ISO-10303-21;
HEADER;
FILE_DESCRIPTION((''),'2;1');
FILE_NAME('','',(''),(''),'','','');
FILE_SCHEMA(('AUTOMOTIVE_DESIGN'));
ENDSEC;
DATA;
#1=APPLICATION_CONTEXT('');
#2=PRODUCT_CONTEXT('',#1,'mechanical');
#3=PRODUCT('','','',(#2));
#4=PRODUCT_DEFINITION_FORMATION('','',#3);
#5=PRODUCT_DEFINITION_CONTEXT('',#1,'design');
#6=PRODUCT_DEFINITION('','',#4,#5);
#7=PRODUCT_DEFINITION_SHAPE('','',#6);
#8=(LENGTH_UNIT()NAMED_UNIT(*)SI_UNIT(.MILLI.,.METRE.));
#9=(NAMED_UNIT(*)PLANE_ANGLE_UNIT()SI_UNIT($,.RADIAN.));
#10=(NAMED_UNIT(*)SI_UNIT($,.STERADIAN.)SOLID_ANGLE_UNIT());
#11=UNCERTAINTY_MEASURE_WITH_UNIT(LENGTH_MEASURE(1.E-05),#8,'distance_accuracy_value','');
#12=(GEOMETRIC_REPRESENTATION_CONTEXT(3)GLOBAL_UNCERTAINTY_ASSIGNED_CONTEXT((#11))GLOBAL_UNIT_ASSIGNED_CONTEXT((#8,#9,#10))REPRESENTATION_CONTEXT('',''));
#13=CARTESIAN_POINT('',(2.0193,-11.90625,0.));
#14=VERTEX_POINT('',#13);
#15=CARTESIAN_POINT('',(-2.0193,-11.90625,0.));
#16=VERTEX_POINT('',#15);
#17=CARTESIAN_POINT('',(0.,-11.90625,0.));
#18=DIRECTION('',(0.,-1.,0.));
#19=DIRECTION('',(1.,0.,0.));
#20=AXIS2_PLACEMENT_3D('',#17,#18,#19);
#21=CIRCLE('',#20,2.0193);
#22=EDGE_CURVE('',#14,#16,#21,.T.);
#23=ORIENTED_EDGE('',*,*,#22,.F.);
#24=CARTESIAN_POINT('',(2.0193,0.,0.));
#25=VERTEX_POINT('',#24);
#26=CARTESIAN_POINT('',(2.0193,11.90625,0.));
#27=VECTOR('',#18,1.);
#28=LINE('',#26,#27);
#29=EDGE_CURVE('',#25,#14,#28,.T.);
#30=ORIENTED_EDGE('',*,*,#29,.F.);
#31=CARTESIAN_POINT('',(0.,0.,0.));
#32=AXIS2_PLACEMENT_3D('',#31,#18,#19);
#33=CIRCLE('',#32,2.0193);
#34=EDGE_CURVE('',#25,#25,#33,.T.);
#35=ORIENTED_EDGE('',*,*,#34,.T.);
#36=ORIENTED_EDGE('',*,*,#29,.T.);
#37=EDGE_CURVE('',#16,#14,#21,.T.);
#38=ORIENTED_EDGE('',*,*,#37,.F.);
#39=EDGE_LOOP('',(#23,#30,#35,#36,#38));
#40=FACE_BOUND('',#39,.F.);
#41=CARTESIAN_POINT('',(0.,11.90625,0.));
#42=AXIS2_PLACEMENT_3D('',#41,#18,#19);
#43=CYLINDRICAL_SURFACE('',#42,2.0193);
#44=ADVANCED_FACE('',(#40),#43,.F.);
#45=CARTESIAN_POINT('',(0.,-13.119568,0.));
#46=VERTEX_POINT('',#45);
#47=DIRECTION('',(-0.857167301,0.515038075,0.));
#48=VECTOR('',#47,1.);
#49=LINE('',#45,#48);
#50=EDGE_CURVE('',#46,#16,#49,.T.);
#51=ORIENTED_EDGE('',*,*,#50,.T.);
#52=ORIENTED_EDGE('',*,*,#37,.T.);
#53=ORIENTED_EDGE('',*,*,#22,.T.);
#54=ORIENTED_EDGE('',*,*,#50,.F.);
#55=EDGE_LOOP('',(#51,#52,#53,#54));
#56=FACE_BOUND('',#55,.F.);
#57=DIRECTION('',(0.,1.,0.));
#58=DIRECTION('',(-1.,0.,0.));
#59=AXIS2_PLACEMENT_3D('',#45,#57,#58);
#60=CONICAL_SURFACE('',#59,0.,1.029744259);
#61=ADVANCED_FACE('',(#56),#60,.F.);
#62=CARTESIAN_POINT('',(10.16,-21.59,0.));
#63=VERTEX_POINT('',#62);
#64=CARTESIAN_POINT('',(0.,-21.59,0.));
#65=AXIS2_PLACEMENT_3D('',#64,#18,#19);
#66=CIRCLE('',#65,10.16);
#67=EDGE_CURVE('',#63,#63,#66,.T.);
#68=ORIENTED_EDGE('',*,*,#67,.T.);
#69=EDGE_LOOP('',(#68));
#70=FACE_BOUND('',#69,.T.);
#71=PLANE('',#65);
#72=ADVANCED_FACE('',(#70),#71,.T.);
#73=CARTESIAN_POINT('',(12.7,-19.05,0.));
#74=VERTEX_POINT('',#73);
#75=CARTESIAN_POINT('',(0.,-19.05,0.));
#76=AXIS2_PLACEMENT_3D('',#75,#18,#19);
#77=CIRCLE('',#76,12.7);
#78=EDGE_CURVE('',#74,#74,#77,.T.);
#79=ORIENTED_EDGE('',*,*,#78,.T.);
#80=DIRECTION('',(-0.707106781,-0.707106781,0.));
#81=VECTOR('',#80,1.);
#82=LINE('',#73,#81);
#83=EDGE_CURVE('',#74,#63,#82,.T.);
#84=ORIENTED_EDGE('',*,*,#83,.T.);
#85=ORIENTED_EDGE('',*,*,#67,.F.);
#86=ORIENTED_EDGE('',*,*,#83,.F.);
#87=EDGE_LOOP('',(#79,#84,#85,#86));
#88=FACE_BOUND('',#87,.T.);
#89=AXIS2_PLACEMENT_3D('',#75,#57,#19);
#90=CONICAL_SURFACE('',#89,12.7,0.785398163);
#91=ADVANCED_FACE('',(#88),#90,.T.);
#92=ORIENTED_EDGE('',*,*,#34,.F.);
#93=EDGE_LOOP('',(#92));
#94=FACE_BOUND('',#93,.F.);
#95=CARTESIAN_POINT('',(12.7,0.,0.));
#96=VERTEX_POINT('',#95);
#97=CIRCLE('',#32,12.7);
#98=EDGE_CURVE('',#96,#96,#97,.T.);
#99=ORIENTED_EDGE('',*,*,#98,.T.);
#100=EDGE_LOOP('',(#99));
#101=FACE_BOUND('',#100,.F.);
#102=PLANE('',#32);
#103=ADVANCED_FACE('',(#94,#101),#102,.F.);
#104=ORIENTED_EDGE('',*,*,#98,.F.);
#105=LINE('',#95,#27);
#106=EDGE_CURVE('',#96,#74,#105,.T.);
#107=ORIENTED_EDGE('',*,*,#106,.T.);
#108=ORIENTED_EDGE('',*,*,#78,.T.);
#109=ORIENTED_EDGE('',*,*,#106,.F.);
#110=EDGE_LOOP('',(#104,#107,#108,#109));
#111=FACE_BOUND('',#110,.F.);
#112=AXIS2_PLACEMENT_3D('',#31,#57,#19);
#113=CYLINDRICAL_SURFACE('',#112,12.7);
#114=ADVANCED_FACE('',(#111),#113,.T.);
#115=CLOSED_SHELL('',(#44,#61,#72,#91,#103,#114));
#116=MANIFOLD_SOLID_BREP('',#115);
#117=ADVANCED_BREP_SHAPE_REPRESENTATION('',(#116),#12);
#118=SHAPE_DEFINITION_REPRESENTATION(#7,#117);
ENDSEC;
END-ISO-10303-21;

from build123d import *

# Parameters (mm, degrees)
F0_R     = 12.7
F1_DEPTH = 21.59
F2_SIZE  = 2.54
F4_D     = 4.0386
F4_DEPTH = 11.90625
F4_TIP   = 1.213317848


with BuildPart() as f1:
    # F0 (on Front) → F1 (new body)
    with BuildSketch(Plane.XZ):
        Circle(F0_R)
    extrude(amount=F1_DEPTH)

    # F2
    f2_edges = [f1.edges().sort_by_distance(p)[0] for p in [
        (-12.7, -21.59, 0),
    ]]
    chamfer(f2_edges, length=F2_SIZE)

    # F4
    with Locations(Plane(origin=(0, 0, 0), x_dir=(-1, 0, 0), z_dir=(0, 1, 0))):
        with Locations((0, 0)):
            Hole(F4_D / 2, depth=F4_DEPTH)
            with Locations((0, 0, -(F4_DEPTH + F4_TIP / 2))):  # 118° drill point
                Cone(0, F4_D / 2, F4_TIP, mode=Mode.SUBTRACT)


solid = f1.part
